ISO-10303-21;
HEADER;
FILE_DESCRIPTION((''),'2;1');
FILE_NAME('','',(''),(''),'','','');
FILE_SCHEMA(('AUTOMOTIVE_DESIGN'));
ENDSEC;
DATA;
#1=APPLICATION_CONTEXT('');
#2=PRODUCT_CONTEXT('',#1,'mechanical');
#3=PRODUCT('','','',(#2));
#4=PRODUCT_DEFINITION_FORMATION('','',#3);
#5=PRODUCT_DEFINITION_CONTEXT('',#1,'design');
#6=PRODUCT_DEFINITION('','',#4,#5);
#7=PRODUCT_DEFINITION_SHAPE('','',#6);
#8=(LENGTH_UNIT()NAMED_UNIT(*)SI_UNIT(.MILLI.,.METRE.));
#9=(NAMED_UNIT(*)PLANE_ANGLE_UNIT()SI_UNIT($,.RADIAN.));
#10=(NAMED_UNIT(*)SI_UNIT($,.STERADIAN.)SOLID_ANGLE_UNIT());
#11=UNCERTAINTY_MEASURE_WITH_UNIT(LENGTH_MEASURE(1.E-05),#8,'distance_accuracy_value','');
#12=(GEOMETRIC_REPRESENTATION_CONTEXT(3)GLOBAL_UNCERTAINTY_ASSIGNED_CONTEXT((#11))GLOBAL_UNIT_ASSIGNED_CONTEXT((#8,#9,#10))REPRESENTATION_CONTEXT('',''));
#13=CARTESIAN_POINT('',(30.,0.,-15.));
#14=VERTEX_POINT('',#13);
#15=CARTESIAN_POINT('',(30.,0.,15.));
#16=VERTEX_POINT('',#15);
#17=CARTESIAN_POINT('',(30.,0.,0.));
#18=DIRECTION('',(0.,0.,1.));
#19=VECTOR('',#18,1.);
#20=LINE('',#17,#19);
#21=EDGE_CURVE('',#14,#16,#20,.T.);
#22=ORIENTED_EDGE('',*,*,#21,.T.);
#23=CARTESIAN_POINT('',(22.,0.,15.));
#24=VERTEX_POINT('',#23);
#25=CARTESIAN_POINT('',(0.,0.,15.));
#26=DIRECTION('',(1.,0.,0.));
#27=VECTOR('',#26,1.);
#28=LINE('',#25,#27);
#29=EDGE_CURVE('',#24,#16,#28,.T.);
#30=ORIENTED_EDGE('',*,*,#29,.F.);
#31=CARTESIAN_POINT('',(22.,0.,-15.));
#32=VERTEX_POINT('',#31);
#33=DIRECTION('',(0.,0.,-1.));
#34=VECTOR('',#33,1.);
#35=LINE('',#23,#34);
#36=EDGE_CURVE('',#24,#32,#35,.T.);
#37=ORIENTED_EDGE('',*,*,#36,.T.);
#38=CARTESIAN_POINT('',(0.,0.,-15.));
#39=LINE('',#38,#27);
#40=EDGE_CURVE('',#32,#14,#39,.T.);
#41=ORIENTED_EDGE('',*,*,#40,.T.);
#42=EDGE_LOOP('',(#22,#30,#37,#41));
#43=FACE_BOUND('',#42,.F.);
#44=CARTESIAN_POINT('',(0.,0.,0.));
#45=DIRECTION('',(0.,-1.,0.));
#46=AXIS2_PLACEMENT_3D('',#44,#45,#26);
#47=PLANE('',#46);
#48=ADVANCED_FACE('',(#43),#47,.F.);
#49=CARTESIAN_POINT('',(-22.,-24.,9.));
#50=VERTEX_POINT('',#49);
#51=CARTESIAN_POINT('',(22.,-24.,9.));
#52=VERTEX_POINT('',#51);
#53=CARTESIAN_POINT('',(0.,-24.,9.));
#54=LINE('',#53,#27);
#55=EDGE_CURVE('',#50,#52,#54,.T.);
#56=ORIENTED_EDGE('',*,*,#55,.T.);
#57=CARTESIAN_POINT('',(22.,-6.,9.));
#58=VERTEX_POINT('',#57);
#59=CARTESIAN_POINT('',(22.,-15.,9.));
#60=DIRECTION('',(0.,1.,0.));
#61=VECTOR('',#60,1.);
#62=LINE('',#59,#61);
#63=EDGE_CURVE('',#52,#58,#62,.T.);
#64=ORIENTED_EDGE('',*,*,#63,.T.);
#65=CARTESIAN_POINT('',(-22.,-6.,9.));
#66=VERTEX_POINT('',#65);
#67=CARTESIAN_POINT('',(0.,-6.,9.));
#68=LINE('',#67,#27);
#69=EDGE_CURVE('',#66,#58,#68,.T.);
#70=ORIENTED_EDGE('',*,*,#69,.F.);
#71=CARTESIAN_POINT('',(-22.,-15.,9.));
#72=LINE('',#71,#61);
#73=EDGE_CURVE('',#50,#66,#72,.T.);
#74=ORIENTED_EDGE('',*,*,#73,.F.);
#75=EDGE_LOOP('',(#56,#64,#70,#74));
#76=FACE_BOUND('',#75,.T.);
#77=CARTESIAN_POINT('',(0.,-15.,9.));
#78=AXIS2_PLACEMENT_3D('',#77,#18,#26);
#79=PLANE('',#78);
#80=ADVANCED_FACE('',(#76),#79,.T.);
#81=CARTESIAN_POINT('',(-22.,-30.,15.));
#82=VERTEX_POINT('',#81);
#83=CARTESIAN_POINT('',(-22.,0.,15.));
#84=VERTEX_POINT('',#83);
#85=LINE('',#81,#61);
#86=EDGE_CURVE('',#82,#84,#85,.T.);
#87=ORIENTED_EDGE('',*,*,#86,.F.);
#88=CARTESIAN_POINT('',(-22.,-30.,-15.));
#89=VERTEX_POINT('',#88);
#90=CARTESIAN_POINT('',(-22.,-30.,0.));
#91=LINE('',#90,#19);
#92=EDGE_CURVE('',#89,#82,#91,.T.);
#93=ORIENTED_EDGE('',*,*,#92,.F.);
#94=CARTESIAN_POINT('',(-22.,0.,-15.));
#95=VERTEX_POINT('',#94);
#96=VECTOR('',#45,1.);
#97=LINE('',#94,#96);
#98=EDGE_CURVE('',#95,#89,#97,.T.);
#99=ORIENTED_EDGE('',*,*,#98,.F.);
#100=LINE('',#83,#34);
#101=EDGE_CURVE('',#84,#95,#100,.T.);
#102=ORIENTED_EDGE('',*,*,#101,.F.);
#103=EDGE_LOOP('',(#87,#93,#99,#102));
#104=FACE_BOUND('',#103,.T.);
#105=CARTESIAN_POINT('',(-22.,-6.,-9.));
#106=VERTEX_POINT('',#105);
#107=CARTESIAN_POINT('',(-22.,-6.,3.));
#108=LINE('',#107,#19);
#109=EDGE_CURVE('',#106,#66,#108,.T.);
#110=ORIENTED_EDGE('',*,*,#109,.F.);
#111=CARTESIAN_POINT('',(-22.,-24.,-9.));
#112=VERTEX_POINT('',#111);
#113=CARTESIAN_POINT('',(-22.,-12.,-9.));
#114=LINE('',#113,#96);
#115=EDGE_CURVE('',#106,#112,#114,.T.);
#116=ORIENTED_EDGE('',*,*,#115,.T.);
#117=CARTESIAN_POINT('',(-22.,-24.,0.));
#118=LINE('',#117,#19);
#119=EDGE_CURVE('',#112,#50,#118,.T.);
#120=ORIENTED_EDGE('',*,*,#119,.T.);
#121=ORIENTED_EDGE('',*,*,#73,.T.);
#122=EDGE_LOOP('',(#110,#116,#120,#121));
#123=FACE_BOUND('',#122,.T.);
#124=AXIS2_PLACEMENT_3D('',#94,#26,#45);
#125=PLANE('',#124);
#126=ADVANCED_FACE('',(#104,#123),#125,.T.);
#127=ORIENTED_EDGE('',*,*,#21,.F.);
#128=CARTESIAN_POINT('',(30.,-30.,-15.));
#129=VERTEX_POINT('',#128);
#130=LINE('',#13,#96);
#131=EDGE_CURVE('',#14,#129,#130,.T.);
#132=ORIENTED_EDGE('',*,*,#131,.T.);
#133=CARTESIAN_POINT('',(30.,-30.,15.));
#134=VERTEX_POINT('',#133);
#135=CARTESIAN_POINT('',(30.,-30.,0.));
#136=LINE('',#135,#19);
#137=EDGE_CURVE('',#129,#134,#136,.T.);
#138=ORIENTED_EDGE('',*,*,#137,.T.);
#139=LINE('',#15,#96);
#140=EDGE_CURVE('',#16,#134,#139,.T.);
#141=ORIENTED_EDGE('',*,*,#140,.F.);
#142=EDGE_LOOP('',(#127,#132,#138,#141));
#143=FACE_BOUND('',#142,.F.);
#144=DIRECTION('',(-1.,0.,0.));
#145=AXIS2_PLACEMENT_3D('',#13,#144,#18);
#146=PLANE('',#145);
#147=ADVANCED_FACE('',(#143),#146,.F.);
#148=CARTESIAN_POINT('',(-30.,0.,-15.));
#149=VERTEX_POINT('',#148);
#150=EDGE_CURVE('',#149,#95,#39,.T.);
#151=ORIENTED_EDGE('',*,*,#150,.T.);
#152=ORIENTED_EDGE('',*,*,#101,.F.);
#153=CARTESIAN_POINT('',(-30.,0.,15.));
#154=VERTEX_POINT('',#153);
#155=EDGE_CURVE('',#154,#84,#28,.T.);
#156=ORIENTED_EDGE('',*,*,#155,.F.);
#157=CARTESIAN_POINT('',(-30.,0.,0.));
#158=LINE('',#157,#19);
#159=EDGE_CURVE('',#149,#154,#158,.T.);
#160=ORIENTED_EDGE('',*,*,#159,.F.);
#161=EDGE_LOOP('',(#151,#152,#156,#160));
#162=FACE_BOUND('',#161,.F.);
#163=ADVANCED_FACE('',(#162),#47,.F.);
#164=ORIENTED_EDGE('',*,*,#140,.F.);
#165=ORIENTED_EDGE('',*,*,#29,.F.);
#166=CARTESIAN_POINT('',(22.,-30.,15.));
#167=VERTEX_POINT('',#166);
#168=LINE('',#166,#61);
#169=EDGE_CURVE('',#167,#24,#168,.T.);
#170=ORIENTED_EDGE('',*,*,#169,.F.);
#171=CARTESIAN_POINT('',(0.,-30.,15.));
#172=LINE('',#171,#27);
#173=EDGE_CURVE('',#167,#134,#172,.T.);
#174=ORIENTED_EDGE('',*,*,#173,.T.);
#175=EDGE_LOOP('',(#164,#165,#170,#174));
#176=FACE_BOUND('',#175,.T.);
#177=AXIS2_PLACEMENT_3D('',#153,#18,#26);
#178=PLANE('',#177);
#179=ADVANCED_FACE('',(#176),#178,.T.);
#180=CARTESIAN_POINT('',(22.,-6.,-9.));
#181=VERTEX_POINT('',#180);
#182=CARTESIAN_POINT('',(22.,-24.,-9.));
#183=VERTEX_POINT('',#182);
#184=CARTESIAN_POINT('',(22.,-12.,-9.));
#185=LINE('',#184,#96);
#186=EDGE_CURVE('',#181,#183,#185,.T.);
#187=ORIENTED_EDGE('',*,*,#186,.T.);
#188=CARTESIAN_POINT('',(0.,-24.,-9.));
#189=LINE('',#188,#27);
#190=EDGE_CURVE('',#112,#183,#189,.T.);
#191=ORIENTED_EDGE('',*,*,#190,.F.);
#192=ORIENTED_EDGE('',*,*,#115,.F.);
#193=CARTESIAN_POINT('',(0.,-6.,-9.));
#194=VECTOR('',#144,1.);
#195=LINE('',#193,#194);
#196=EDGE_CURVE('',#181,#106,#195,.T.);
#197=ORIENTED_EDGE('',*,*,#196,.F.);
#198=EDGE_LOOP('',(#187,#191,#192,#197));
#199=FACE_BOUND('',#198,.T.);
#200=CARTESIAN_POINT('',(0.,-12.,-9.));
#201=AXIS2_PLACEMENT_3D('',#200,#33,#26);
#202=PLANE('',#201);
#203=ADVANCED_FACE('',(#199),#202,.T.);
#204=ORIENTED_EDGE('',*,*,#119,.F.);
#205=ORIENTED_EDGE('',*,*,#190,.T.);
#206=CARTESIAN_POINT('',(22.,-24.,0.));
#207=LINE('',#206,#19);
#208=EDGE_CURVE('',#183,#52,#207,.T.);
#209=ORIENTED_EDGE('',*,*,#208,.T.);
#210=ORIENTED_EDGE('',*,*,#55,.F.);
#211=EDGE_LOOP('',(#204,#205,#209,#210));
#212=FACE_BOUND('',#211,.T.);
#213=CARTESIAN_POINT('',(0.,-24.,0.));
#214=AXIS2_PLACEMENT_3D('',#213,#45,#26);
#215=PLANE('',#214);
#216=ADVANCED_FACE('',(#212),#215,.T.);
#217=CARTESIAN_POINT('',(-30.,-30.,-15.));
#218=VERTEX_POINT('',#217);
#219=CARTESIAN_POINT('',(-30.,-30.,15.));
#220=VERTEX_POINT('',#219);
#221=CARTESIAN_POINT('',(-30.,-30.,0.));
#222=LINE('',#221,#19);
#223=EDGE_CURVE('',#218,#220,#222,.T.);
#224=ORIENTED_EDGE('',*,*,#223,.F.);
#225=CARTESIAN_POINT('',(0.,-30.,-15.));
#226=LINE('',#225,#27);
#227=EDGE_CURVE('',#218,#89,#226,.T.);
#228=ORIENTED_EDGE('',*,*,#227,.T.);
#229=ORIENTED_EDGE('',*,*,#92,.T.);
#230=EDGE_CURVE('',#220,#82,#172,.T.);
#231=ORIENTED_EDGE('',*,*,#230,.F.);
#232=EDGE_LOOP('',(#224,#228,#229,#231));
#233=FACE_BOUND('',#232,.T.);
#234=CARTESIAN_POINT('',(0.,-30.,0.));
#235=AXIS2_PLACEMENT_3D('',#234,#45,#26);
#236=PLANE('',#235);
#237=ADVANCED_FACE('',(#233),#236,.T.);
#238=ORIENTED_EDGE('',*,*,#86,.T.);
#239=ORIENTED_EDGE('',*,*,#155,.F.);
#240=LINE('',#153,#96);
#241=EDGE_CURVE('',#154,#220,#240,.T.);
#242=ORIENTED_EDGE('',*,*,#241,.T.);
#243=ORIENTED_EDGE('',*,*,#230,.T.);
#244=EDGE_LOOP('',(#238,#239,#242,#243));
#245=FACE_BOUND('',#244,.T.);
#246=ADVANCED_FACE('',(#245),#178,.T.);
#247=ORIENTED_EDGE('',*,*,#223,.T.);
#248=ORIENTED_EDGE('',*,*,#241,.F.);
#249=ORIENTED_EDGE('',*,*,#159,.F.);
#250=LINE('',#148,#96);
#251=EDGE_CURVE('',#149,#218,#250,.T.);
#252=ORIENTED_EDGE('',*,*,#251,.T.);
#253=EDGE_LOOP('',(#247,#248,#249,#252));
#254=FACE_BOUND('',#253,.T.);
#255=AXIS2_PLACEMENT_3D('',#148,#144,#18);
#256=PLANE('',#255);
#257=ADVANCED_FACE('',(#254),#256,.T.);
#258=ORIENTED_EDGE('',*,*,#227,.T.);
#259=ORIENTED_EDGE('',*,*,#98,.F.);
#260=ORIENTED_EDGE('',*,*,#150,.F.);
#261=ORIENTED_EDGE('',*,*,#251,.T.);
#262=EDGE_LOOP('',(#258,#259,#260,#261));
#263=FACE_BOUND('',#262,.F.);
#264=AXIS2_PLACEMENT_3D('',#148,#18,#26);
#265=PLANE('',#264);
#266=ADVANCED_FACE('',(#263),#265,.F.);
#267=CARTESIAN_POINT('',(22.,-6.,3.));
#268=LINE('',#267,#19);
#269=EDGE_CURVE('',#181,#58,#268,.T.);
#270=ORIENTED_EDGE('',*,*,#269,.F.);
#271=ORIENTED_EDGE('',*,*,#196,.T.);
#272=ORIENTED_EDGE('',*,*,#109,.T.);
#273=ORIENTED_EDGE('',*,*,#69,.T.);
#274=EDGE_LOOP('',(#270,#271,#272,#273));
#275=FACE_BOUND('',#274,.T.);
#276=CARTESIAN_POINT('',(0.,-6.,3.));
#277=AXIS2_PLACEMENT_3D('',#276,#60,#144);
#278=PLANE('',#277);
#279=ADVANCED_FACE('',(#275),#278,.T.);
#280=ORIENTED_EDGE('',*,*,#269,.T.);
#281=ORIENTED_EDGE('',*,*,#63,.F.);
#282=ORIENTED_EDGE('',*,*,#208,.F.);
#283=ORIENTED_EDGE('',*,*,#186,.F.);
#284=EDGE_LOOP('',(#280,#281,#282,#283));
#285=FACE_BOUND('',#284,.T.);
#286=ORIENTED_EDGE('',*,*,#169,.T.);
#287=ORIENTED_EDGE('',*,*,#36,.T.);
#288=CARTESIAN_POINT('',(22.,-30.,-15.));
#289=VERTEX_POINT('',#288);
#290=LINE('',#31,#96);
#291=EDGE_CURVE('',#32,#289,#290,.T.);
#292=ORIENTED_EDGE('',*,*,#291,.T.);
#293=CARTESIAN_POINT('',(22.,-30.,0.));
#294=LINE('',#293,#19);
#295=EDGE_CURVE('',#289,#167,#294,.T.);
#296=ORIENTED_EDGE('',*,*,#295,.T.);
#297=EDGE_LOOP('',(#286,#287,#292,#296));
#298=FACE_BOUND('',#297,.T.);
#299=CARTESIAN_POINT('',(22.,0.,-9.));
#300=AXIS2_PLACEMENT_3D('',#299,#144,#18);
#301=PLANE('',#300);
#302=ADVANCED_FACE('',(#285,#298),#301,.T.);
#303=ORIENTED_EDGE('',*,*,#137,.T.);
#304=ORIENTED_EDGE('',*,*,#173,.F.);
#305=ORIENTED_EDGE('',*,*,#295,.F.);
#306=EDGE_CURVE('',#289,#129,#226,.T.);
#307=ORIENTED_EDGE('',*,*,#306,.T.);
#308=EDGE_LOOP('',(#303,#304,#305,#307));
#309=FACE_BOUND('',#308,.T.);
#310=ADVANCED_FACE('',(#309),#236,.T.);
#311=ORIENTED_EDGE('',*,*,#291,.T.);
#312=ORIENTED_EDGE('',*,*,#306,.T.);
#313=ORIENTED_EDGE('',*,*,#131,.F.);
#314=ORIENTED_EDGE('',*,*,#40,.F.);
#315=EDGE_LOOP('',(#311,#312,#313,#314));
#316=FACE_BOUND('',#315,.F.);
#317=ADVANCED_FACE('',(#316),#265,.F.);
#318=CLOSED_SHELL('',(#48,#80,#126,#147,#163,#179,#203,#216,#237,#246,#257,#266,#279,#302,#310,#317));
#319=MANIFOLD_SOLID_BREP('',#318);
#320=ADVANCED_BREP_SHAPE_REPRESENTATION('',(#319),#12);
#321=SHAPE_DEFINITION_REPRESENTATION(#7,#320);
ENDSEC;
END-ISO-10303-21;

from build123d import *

# Parameters (mm, degrees)
F0_W     = 60
F0_H     = 30
F1_DEPTH = 30
F2_W     = 44
F2_H     = 30
F3_DEPTH = 6
F4_W     = 44
F4_H     = 24
F5_DEPTH = 6
F6_W     = 44
F6_H     = 24
F7_DEPTH = 6
F8_W     = 44
F8_H     = 18
F9_DEPTH = 6


with BuildPart() as f1:
    # F0 (on Front) → F1 (new body)
    with BuildSketch(Plane.XZ):
        Rectangle(F0_W, F0_H)
    extrude(amount=F1_DEPTH)

    # F2 (on face) → F3 (cut)
    with BuildSketch(Plane.XZ.offset(30)):
        Rectangle(F2_W, F2_H)
    extrude(amount=-F3_DEPTH, mode=Mode.SUBTRACT)

    # F4 (on face) → F5 (cut)
    with BuildSketch(Plane(origin=(0, 0, -15), x_dir=(1, 0, 0), z_dir=(0, 0, -1))):
        with Locations((0, 12)):
            Rectangle(F4_W, F4_H)
    extrude(amount=-F5_DEPTH, mode=Mode.SUBTRACT)

    # F6 (on face) → F7 (cut)
    with BuildSketch(Plane(origin=(0, 0, 0), x_dir=(-1, 0, 0), z_dir=(0, 1, 0))):
        with Locations((0, 3)):
            Rectangle(F6_W, F6_H)
    extrude(amount=-F7_DEPTH, mode=Mode.SUBTRACT)

    # F8 (on face) → F9 (cut)
    with BuildSketch(Plane.XY.offset(15)):
        with Locations((0, -15)):
            Rectangle(F8_W, F8_H)
    extrude(amount=-F9_DEPTH, mode=Mode.SUBTRACT)


solid = f1.part
